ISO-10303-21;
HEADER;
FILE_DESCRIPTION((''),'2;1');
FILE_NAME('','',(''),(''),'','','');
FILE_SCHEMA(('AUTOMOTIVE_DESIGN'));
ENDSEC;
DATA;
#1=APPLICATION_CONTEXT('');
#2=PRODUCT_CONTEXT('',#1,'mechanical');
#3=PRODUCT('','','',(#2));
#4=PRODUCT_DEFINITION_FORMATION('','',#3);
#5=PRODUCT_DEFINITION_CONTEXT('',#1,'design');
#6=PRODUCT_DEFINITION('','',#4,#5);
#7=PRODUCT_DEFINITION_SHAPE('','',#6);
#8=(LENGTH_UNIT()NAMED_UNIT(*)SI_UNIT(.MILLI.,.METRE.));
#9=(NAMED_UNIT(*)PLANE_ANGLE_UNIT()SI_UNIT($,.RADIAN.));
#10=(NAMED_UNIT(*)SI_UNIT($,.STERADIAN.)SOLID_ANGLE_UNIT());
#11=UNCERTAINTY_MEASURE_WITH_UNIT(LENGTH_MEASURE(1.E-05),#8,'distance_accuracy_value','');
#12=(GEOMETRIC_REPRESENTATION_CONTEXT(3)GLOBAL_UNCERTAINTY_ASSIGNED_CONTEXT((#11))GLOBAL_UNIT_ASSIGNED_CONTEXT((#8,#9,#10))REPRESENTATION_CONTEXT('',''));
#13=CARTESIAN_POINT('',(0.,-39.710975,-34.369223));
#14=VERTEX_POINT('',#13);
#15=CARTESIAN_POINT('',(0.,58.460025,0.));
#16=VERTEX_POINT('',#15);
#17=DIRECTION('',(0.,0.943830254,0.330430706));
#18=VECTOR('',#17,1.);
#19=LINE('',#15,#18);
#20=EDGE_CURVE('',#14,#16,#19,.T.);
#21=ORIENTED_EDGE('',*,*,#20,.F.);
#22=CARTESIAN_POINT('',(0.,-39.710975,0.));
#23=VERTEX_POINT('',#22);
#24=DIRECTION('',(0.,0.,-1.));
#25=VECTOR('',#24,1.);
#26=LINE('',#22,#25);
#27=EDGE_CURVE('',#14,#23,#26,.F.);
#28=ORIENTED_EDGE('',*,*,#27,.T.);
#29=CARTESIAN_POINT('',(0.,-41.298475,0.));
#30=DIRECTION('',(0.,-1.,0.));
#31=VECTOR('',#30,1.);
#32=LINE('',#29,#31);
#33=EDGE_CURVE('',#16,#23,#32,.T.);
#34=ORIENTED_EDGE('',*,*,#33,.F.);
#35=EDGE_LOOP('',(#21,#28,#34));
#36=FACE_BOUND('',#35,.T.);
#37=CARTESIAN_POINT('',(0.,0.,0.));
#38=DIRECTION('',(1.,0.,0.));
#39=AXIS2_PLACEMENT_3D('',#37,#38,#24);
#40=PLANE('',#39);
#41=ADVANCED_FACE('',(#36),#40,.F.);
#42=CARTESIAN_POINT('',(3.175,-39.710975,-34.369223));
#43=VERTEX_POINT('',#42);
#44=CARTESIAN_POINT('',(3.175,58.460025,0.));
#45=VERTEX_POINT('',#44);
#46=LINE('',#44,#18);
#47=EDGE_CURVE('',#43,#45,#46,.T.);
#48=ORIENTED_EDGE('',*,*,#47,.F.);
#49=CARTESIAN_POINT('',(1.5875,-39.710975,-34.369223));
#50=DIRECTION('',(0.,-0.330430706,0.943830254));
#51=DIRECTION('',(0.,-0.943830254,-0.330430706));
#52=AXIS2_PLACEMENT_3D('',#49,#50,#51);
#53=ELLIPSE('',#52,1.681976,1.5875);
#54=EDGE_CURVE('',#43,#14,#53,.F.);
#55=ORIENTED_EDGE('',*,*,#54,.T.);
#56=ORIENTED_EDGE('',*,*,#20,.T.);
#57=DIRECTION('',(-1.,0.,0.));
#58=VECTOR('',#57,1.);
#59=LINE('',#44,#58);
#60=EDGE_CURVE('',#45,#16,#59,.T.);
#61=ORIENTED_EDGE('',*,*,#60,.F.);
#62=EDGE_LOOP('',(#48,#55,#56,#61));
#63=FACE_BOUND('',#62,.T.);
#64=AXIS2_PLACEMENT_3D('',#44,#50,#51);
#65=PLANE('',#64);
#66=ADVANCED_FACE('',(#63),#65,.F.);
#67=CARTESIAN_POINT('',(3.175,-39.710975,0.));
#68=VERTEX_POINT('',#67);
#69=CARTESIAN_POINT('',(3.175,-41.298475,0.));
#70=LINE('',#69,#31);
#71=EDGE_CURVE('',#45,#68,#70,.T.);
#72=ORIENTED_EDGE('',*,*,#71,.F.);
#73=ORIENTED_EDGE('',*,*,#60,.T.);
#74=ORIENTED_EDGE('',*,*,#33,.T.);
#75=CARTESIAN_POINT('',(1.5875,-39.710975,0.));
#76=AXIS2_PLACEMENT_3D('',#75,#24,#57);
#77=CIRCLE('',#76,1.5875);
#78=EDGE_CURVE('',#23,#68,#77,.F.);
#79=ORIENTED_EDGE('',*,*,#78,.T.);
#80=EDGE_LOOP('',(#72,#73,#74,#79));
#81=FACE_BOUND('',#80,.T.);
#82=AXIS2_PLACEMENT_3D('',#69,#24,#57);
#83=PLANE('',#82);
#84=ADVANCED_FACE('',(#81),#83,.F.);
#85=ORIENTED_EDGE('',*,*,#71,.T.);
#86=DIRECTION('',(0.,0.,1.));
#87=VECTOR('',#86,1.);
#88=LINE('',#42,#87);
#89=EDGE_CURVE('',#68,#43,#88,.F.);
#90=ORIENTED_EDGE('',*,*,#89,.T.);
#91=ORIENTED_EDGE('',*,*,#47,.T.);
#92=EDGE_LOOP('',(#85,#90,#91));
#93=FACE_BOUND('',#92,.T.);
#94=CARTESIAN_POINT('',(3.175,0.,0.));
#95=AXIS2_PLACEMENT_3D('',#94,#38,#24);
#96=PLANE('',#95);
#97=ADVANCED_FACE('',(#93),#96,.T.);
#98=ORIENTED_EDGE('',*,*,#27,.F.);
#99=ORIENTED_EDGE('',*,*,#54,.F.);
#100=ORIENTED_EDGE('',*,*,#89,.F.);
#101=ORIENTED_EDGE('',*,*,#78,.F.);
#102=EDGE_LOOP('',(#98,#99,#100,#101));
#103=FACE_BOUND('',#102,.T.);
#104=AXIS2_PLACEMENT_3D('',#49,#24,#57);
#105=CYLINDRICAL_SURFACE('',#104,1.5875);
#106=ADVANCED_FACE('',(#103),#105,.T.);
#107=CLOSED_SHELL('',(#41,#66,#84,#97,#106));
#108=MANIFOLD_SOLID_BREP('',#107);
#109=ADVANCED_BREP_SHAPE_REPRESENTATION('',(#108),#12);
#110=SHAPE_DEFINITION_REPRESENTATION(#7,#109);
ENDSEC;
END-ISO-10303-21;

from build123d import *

# Parameters (mm, degrees)
BOSS_EXTRUDE1_DEPTH = 3.175
FILLET2_RADIUS      = 1.5875
FILLET2_LENGTH      = 34.925


with BuildPart() as part:
    # Sketch2 → Boss-Extrude1 (new body)
    with BuildSketch(Plane(origin=(0, 0, 0), x_dir=(0, 0, -1), z_dir=(1, 0, 0))):
        Polygon((0, -41.298475046), (0, 58.460024954), (34.925, -41.298475046), align=None)
    extrude(amount=BOSS_EXTRUDE1_DEPTH)

    # Fillet2: full round fillet: the end face becomes a half cylinder, R = half its width
    fillet2_face = Plane((1.5875, -41.298475046, -17.4625), x_dir=(0, 0, -1), z_dir=(0, -1, 0))  # on the end face: x along it, z out of the body
    fillet2_slab = fillet2_face.offset(-FILLET2_RADIUS / 2) * Box(FILLET2_LENGTH, 2 * FILLET2_RADIUS, FILLET2_RADIUS, mode=Mode.PRIVATE)  # the body's end, R deep
    fillet2_round = Plane((1.5875, -39.710975046, -17.4625), x_dir=(0, -1, 0), z_dir=(0, 0, -1)) * Cylinder(FILLET2_RADIUS, FILLET2_LENGTH, mode=Mode.PRIVATE)  # its axis R under the face
    add(fillet2_slab - fillet2_round, mode=Mode.SUBTRACT)


solid = part.part
